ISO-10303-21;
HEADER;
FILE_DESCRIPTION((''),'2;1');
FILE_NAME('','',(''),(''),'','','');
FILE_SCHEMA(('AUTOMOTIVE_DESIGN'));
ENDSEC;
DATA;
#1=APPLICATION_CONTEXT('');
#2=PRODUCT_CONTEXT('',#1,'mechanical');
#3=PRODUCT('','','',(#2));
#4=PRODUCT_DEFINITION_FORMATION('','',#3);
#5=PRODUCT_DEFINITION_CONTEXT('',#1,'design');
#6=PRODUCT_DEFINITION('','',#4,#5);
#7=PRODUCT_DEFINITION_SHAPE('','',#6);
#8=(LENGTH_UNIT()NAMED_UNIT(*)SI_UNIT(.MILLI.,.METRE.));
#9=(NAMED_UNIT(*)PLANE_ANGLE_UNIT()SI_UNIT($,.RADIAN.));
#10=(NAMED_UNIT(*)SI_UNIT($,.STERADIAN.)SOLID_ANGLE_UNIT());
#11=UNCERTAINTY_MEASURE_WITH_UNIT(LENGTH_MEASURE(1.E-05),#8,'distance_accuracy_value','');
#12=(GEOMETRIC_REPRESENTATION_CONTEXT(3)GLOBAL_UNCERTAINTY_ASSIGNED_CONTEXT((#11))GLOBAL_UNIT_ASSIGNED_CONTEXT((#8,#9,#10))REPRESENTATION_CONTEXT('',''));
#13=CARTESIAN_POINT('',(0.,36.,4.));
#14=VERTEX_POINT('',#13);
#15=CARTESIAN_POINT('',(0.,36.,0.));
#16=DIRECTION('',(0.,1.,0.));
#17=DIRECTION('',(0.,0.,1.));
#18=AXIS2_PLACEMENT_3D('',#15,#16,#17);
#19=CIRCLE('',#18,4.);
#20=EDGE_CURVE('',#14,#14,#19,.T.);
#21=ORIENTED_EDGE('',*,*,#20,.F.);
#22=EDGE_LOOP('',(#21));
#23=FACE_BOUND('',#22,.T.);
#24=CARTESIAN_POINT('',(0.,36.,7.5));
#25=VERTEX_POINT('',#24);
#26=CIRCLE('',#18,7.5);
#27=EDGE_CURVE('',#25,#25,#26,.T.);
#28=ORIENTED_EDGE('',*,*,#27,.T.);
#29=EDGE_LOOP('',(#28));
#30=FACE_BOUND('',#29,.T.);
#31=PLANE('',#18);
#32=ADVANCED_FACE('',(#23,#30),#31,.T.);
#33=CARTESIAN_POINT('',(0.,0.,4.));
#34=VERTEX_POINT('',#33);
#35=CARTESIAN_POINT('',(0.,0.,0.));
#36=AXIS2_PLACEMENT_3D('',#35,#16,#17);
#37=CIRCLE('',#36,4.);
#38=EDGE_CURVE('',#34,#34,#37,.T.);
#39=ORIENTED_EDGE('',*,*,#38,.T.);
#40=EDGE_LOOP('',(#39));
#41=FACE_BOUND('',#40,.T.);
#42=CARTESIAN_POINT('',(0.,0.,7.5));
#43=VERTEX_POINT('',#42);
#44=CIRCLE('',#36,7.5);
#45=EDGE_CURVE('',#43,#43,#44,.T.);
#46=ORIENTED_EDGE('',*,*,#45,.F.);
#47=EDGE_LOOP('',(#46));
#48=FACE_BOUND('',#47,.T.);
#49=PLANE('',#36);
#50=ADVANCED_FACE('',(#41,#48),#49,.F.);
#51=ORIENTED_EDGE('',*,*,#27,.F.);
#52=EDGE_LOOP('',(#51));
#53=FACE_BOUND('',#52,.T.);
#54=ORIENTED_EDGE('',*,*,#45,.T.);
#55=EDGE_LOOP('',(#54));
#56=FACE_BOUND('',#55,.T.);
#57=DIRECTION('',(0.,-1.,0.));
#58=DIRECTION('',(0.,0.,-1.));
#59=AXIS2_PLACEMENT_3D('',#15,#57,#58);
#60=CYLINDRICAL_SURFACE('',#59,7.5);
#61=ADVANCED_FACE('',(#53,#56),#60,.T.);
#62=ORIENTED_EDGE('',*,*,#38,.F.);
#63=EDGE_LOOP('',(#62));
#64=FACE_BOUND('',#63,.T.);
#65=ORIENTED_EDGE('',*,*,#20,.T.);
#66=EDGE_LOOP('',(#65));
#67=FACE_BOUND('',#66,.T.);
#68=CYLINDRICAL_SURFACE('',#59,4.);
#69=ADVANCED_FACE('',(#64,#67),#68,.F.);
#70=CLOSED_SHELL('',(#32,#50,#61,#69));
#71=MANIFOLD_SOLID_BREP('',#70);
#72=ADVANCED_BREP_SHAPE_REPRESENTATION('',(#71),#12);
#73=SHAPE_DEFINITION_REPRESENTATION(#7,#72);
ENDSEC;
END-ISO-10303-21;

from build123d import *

# Parameters (mm, degrees)
ESQUISSE1_R      = 7.5
ESQUISSE1_R_2    = 4
EXTRUSION1_DEPTH = 36


with BuildPart() as part:
    # Esquisse1 → Extrusion1 (new body)
    with BuildSketch(Plane(origin=(0, 0, 0), x_dir=(1, 0, 0), z_dir=(0, 1, 0))):
        Circle(ESQUISSE1_R)
        Circle(ESQUISSE1_R_2, mode=Mode.SUBTRACT)
    extrude(amount=EXTRUSION1_DEPTH)


solid = part.part
